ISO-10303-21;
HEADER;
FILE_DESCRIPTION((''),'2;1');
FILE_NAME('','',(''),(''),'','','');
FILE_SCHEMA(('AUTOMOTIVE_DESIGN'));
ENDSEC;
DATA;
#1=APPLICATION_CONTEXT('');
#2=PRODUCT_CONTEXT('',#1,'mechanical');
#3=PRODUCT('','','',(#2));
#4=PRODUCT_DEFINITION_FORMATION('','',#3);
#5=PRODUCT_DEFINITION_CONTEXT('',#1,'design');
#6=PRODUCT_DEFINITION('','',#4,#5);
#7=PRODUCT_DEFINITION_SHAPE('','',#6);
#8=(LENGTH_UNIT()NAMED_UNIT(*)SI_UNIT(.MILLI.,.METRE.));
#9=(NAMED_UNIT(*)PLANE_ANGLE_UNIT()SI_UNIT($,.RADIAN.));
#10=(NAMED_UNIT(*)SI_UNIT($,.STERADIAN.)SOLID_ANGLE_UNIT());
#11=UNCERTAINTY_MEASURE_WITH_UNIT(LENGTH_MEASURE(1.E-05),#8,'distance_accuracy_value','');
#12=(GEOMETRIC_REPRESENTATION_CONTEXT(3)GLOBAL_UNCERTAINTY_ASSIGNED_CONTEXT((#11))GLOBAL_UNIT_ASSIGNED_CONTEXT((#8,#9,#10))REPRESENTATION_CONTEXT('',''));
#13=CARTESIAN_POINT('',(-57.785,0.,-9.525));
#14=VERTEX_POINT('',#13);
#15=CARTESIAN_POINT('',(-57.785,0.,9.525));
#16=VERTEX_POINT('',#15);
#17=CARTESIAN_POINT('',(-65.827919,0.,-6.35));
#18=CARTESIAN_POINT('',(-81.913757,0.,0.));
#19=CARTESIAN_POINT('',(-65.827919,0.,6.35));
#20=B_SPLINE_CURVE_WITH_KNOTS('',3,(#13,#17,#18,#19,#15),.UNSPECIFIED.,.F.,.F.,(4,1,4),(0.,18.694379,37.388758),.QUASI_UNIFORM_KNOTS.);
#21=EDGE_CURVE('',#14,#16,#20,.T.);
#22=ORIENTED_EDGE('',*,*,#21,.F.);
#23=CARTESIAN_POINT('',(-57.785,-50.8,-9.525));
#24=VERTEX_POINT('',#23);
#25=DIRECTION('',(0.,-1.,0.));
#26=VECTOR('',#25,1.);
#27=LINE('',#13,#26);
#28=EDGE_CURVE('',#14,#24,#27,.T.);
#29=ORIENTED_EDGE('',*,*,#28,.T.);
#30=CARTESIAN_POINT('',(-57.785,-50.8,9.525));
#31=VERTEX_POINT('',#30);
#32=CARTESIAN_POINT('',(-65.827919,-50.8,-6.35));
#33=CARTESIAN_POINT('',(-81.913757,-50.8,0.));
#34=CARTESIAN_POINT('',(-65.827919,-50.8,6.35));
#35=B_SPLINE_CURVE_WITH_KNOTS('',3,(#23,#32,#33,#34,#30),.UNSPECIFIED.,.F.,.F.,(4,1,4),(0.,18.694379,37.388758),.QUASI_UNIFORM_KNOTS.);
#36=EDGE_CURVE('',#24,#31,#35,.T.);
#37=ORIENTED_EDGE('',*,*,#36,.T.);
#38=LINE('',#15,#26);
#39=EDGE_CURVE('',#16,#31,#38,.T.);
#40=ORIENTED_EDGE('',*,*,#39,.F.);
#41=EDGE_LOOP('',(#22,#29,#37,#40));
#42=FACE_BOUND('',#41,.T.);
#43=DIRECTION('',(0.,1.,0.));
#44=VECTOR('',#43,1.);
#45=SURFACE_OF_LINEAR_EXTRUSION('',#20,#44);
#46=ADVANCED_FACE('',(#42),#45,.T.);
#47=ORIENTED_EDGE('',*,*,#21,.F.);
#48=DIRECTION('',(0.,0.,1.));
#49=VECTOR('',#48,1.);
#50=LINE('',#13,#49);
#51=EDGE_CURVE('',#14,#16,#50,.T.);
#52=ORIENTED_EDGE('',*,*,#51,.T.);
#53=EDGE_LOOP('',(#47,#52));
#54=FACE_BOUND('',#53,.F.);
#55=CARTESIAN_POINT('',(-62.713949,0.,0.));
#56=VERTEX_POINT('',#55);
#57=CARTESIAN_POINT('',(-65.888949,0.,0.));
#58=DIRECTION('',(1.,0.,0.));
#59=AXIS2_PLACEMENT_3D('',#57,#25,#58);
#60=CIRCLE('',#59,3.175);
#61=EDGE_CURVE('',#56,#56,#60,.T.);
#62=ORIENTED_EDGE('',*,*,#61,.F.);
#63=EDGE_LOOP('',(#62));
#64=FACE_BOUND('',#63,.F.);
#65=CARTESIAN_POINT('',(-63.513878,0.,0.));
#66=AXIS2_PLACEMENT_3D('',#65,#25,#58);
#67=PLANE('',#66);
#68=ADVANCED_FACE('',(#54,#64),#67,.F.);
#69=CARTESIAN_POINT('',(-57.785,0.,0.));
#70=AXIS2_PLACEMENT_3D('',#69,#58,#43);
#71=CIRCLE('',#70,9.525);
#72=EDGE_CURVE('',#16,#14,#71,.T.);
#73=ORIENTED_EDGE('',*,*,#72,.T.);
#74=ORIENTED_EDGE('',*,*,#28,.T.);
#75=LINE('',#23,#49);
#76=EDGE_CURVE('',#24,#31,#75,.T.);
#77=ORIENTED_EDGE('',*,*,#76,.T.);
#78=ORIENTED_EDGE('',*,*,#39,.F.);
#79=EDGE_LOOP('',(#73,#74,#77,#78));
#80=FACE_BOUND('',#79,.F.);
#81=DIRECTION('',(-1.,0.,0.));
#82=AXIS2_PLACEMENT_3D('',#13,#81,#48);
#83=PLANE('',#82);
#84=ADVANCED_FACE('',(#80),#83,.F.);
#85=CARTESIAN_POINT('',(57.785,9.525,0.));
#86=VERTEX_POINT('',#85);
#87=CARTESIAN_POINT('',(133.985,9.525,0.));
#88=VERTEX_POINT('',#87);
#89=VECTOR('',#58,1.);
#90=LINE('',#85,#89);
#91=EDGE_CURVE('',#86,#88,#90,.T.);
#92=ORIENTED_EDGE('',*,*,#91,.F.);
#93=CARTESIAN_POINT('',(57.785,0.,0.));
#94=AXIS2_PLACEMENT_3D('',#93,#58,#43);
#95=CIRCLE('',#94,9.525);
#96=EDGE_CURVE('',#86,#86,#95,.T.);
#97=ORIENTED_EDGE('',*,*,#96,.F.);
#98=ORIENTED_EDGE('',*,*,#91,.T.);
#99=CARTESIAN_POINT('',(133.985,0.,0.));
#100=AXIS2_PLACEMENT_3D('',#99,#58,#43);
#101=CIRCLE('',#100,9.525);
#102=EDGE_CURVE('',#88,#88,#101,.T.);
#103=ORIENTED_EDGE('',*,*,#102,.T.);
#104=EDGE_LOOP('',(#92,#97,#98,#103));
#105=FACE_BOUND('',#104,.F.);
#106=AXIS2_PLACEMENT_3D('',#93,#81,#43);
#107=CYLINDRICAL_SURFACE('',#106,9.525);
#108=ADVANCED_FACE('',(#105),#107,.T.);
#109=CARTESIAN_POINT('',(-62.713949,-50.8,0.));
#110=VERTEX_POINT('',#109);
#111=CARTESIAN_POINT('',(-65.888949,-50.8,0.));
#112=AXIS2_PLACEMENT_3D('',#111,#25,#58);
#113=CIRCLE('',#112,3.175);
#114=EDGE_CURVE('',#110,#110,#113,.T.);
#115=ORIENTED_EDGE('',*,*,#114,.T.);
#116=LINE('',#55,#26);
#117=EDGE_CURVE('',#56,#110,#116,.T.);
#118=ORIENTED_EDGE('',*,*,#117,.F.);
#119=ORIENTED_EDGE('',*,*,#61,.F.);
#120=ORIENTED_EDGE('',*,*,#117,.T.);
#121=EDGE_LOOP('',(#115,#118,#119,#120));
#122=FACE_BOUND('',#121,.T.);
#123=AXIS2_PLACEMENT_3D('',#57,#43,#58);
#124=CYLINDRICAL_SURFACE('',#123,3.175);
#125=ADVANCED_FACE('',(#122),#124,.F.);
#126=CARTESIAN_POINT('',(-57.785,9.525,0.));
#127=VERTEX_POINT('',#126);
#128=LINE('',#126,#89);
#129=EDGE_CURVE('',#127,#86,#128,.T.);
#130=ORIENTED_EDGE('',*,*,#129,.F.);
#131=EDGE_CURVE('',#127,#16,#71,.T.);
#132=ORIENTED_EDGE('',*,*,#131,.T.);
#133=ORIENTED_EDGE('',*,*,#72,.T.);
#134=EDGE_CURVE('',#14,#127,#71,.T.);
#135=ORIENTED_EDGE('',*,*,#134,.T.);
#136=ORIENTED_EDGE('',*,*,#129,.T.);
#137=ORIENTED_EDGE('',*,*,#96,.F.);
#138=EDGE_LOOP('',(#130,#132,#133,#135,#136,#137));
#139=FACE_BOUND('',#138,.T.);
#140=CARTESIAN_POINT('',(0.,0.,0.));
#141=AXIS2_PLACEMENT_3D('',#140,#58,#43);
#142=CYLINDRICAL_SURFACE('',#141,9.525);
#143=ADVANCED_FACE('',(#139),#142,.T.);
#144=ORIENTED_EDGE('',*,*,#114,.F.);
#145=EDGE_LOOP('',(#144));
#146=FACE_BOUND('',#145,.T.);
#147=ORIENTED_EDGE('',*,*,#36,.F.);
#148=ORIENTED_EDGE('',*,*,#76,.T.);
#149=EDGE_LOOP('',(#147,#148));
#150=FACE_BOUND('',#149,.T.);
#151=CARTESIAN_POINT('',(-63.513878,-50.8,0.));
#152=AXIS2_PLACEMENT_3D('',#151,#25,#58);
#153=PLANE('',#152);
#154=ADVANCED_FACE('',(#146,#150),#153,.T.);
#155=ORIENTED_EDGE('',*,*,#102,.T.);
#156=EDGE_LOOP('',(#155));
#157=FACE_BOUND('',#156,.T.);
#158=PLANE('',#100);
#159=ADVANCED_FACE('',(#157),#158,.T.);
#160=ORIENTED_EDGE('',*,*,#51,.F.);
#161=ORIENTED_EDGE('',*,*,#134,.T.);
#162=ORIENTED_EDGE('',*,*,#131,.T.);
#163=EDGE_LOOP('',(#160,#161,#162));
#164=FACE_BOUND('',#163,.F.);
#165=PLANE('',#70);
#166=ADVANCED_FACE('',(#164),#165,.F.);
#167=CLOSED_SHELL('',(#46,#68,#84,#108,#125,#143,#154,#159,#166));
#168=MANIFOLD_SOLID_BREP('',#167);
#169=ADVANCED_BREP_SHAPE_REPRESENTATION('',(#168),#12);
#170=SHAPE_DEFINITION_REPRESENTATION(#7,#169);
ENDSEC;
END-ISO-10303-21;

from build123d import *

# Parameters (mm, degrees)
F0_R     = 9.525
F1_DEPTH = 57.785
F2_R     = 3.175
F3_DEPTH = 50.8
F4_R     = 9.525
F5_DEPTH = 76.2


with BuildPart() as f1:
    # F0 (on Right) → F1 (new body, symmetric)
    with BuildSketch(Plane.YZ):
        Circle(F0_R)
    extrude(amount=F1_DEPTH, both=True)

    # F2 (on Front) → F3 (join)
    with BuildSketch(Plane.XZ):
        with BuildLine():
            Line((-57.785, -9.525), (-57.785, 0))
            Line((-57.785, 0), (-57.785, 9.525))
            add(Edge.make_bspline(
                [(-57.785, -9.525), (-65.827919, -6.35), (-81.913757, 0), (-65.827919, 6.35), (-57.785, 9.525)],
                knots=[0, 0, 0, 0, 18.694379, 37.388758, 37.388758, 37.388758, 37.388758], degree=3))
        make_face()
        with Locations((-65.888949, 0)):
            Circle(F2_R, mode=Mode.SUBTRACT)
    extrude(amount=F3_DEPTH)

    # F4 (on face) → F5 (join)
    with BuildSketch(Plane.YZ.offset(57.785)):
        Circle(F4_R)
    extrude(amount=F5_DEPTH)


solid = f1.part
